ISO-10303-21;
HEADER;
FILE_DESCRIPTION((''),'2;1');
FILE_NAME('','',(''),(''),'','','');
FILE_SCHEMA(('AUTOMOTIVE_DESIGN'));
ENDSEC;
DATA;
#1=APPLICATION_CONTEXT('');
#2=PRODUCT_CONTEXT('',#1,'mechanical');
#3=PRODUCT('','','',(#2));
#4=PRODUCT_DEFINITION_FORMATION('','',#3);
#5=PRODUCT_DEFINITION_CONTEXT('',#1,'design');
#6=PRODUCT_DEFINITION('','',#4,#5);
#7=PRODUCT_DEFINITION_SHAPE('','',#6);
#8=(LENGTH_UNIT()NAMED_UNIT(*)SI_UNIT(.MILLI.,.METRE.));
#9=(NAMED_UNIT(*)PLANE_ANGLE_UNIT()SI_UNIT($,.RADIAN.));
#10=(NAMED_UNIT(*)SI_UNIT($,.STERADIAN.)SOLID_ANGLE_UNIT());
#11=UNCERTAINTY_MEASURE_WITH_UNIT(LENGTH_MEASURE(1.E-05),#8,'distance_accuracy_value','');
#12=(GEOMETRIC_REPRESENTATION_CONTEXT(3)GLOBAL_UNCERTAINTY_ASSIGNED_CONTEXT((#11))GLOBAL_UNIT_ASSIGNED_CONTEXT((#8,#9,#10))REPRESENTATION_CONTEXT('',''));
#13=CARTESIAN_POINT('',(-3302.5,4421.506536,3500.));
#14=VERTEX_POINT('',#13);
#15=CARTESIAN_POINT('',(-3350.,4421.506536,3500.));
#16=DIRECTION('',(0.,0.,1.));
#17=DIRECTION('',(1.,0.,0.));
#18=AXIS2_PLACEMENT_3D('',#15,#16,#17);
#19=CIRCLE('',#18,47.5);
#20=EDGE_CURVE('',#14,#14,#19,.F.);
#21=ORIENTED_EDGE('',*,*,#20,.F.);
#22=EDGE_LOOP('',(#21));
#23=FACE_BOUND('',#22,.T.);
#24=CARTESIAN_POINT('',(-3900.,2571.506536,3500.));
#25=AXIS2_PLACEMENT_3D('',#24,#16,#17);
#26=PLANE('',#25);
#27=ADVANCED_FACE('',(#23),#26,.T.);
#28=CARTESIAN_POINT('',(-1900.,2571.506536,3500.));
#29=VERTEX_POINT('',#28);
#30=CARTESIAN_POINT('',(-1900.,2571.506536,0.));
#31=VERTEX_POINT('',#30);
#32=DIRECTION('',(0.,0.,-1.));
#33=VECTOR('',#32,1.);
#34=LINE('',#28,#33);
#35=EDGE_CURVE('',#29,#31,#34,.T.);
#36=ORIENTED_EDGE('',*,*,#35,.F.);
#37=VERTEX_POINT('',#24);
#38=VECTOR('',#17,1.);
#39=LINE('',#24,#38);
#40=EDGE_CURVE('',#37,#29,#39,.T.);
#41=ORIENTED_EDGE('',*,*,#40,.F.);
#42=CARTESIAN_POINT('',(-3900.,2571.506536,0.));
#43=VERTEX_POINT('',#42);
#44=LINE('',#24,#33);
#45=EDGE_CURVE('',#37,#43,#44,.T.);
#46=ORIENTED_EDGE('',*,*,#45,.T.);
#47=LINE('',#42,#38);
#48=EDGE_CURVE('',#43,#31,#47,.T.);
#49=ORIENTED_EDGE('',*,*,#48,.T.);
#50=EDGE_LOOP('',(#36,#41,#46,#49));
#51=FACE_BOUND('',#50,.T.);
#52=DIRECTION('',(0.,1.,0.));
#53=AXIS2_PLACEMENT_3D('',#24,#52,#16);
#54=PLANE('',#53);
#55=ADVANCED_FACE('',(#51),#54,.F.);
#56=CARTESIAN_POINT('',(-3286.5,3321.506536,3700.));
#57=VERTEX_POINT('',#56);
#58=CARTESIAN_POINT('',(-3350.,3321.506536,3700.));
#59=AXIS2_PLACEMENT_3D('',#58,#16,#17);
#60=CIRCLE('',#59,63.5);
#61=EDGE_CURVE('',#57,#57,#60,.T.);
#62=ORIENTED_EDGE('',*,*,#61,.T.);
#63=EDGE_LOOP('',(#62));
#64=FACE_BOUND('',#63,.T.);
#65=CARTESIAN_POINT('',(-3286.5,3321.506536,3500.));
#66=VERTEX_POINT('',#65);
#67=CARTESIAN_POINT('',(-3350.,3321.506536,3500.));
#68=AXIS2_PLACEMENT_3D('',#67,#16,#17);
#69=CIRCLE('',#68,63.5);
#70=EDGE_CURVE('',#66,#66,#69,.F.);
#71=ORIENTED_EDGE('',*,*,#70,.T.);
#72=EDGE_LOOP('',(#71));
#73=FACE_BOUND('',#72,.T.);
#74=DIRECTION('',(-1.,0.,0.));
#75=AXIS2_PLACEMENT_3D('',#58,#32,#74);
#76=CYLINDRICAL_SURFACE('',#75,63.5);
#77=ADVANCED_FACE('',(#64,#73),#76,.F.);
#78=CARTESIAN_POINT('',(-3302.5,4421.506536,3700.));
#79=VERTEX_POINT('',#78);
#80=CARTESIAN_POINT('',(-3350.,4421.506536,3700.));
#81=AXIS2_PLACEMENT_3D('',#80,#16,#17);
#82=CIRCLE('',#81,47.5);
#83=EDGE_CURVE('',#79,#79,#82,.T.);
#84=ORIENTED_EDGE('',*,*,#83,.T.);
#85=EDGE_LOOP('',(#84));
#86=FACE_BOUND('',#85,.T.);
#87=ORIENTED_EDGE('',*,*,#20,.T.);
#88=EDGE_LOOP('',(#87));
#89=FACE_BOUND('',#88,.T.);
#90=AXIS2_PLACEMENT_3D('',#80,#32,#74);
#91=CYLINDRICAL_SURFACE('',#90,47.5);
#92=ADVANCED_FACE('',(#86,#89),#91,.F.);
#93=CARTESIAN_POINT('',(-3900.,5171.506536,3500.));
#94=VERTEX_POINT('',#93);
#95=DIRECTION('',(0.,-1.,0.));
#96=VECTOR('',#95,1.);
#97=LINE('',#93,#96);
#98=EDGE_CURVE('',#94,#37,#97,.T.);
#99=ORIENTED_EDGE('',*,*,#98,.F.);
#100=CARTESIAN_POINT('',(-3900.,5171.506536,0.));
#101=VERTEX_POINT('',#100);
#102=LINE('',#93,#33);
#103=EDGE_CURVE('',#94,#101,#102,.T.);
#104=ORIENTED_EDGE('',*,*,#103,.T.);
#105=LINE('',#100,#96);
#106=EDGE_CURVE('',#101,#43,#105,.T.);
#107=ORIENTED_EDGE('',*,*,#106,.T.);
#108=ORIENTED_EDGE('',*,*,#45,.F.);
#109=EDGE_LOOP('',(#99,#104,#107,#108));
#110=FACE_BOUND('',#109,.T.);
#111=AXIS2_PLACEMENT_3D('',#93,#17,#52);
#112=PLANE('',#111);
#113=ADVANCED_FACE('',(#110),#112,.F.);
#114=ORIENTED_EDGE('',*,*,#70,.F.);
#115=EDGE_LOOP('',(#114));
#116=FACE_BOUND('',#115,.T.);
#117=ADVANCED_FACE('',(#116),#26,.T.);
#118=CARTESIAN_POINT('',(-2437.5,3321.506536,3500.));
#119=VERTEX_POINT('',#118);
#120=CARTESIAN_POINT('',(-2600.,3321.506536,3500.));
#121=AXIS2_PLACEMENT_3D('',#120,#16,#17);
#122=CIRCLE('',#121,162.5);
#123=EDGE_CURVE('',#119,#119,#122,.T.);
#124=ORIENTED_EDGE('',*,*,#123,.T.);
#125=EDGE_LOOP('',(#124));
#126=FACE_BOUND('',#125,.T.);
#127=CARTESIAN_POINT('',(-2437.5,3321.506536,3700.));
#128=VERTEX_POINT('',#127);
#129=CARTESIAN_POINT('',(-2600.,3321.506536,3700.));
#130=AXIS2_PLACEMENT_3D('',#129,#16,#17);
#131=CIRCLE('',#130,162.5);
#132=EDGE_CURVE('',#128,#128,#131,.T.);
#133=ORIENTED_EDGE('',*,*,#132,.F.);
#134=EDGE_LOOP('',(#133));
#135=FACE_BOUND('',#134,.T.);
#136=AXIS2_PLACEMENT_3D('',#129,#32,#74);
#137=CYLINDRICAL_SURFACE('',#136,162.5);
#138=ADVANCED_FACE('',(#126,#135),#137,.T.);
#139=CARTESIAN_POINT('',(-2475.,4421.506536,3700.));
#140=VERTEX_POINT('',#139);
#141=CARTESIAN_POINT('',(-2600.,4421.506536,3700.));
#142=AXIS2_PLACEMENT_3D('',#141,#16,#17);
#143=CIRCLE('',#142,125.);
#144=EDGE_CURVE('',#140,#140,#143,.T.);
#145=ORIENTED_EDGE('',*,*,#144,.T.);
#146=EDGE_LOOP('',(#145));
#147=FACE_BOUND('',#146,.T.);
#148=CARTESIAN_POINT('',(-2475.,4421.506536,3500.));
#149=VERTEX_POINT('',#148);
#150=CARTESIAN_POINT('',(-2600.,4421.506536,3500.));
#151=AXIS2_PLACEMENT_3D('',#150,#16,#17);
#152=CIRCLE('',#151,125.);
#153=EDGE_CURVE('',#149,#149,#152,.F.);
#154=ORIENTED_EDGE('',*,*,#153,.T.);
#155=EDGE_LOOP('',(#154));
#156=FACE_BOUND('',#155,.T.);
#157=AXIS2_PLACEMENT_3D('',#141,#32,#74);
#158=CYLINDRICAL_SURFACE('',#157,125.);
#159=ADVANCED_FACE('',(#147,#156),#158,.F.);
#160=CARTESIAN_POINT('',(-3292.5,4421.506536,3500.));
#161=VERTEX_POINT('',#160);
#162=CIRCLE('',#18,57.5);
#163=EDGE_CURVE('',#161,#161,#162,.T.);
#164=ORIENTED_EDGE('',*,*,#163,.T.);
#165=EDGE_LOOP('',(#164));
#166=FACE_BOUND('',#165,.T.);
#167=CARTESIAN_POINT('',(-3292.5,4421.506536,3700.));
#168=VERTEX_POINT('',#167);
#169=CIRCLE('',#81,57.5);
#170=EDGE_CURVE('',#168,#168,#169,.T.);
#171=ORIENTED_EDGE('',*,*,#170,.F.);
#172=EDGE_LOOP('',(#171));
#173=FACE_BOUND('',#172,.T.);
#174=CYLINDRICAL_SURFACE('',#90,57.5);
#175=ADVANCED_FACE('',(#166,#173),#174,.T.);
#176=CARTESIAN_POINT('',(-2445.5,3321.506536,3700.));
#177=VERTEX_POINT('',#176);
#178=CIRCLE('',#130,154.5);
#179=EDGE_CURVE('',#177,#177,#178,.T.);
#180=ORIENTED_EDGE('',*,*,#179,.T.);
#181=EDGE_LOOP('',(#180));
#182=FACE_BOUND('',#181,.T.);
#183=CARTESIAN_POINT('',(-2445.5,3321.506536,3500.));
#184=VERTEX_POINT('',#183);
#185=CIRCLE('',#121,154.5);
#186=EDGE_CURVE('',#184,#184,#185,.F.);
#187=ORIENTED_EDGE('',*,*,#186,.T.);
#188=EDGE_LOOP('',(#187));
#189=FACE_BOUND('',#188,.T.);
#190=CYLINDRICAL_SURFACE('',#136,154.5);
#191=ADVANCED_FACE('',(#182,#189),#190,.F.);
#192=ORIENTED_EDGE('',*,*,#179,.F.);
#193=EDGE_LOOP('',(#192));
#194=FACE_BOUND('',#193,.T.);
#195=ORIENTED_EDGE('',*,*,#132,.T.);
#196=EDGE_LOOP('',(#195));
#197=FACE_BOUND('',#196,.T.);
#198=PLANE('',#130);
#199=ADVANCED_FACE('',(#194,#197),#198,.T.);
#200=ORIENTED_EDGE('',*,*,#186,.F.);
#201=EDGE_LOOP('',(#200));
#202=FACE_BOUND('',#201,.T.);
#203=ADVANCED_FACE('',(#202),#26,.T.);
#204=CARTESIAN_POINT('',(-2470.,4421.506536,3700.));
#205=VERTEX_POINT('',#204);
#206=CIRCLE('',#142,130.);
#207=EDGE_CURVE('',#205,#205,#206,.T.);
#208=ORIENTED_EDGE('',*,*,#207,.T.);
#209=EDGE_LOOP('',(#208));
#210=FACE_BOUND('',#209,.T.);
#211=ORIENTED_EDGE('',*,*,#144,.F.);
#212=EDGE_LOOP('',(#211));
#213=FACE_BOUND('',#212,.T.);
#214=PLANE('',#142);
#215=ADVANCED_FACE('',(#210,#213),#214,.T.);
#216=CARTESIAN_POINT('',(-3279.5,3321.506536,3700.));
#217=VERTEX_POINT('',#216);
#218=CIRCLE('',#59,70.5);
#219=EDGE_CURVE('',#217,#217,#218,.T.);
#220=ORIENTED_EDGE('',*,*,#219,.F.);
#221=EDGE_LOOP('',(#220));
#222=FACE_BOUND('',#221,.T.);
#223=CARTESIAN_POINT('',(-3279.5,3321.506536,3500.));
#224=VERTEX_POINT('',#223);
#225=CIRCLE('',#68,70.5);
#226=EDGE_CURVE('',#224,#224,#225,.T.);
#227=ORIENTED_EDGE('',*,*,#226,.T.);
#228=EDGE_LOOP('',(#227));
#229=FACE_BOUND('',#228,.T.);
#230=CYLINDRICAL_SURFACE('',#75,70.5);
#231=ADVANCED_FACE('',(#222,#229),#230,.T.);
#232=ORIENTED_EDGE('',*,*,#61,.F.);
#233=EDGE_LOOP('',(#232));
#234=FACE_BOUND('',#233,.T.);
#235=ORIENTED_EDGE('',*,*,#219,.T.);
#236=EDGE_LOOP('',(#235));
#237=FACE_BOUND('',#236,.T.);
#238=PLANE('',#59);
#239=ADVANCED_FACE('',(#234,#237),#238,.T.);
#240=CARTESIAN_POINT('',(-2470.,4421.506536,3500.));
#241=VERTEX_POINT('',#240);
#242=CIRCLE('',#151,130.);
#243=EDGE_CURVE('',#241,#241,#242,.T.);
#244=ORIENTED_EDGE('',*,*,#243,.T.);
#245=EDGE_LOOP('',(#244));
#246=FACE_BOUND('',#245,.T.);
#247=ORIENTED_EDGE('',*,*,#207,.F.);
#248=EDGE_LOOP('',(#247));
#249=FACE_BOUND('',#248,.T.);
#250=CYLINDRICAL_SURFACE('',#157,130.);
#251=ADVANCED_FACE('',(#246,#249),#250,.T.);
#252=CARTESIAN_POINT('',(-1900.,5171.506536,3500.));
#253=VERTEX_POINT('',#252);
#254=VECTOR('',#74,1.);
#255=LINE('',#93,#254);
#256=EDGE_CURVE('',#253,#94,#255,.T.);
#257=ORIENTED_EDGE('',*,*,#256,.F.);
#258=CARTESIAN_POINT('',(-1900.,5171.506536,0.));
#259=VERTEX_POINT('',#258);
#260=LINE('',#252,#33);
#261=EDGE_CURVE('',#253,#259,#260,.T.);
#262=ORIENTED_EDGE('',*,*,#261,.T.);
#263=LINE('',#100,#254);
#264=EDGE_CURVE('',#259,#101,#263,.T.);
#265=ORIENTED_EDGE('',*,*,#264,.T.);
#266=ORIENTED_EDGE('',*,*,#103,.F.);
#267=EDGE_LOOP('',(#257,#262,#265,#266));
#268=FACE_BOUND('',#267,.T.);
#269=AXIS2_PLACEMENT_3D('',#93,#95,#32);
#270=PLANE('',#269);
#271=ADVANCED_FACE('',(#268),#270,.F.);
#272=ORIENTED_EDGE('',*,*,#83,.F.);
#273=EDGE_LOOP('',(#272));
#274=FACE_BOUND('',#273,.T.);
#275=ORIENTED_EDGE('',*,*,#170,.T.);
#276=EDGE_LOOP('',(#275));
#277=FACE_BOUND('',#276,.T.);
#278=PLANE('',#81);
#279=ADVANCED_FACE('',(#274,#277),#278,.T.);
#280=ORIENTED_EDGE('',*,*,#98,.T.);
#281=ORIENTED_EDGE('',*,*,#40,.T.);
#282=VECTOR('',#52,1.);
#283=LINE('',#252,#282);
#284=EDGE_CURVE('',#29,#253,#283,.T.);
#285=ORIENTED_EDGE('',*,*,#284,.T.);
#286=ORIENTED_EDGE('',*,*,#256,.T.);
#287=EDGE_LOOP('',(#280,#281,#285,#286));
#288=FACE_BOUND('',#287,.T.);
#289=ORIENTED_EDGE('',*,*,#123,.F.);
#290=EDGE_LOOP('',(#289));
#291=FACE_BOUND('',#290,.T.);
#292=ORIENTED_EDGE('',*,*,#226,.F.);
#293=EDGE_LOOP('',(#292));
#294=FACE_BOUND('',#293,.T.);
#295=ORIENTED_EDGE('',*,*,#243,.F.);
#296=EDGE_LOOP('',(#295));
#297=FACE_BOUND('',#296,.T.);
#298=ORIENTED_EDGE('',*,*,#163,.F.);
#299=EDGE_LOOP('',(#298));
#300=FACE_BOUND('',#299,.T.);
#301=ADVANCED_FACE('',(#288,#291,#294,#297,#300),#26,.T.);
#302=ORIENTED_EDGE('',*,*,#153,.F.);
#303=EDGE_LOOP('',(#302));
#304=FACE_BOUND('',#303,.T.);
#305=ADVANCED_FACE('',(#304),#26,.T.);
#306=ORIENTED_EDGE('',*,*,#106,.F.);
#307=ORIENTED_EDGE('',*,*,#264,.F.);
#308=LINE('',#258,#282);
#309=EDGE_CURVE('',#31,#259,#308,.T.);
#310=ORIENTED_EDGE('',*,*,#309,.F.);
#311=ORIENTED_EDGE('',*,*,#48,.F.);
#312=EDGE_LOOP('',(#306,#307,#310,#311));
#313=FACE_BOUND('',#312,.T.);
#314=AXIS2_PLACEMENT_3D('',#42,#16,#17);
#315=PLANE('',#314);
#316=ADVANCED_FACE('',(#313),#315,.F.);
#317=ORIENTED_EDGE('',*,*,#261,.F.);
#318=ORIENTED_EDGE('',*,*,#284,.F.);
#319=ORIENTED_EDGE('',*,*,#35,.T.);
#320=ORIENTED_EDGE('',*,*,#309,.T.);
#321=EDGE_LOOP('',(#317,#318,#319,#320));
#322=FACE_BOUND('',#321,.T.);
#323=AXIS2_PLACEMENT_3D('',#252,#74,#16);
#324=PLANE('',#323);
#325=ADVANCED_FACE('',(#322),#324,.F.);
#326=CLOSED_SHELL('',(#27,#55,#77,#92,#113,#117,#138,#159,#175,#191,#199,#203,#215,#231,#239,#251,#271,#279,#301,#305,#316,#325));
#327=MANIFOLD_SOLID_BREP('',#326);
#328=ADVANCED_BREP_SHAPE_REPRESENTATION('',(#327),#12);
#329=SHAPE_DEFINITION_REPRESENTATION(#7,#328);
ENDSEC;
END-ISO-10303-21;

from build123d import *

# Parameters (mm, degrees)
SKETCH1_W      = 2000
SKETCH1_H      = 2600
EXTRUDE1_DEPTH = 3500
SKETCH2_R      = 162.5
SKETCH2_R_2    = 154.5
SKETCH2_R_3    = 70.5
SKETCH2_R_4    = 63.5
SKETCH2_R_5    = 130
SKETCH2_R_6    = 125
SKETCH2_R_7    = 57.5
SKETCH2_R_8    = 47.5
EXTRUDE2_DEPTH = 200


with BuildPart() as part:
    # Sketch1 → Extrude1 (new body)
    with BuildSketch(Plane.XY):
        with Locations((-2900, 3871.506535609)):
            Rectangle(SKETCH1_W, SKETCH1_H)
    extrude(amount=EXTRUDE1_DEPTH)

    # Sketch2 → Extrude2 (add)
    with BuildSketch(Plane.XY.offset(3500)):
        with Locations((-2600, 3321.506535609)):
            Circle(SKETCH2_R)
        with Locations((-2600, 3321.506535609)):
            Circle(SKETCH2_R_2, mode=Mode.SUBTRACT)
        with Locations((-3350, 3321.506535609)):
            Circle(SKETCH2_R_3)
        with Locations((-3350, 3321.506535609)):
            Circle(SKETCH2_R_4, mode=Mode.SUBTRACT)
        with Locations((-2600, 4421.506535609)):
            Circle(SKETCH2_R_5)
        with Locations((-2600, 4421.506535609)):
            Circle(SKETCH2_R_6, mode=Mode.SUBTRACT)
        with Locations((-3350, 4421.506535609)):
            Circle(SKETCH2_R_7)
        with Locations((-3350, 4421.506535609)):
            Circle(SKETCH2_R_8, mode=Mode.SUBTRACT)
    extrude(amount=EXTRUDE2_DEPTH)


solid = part.part
